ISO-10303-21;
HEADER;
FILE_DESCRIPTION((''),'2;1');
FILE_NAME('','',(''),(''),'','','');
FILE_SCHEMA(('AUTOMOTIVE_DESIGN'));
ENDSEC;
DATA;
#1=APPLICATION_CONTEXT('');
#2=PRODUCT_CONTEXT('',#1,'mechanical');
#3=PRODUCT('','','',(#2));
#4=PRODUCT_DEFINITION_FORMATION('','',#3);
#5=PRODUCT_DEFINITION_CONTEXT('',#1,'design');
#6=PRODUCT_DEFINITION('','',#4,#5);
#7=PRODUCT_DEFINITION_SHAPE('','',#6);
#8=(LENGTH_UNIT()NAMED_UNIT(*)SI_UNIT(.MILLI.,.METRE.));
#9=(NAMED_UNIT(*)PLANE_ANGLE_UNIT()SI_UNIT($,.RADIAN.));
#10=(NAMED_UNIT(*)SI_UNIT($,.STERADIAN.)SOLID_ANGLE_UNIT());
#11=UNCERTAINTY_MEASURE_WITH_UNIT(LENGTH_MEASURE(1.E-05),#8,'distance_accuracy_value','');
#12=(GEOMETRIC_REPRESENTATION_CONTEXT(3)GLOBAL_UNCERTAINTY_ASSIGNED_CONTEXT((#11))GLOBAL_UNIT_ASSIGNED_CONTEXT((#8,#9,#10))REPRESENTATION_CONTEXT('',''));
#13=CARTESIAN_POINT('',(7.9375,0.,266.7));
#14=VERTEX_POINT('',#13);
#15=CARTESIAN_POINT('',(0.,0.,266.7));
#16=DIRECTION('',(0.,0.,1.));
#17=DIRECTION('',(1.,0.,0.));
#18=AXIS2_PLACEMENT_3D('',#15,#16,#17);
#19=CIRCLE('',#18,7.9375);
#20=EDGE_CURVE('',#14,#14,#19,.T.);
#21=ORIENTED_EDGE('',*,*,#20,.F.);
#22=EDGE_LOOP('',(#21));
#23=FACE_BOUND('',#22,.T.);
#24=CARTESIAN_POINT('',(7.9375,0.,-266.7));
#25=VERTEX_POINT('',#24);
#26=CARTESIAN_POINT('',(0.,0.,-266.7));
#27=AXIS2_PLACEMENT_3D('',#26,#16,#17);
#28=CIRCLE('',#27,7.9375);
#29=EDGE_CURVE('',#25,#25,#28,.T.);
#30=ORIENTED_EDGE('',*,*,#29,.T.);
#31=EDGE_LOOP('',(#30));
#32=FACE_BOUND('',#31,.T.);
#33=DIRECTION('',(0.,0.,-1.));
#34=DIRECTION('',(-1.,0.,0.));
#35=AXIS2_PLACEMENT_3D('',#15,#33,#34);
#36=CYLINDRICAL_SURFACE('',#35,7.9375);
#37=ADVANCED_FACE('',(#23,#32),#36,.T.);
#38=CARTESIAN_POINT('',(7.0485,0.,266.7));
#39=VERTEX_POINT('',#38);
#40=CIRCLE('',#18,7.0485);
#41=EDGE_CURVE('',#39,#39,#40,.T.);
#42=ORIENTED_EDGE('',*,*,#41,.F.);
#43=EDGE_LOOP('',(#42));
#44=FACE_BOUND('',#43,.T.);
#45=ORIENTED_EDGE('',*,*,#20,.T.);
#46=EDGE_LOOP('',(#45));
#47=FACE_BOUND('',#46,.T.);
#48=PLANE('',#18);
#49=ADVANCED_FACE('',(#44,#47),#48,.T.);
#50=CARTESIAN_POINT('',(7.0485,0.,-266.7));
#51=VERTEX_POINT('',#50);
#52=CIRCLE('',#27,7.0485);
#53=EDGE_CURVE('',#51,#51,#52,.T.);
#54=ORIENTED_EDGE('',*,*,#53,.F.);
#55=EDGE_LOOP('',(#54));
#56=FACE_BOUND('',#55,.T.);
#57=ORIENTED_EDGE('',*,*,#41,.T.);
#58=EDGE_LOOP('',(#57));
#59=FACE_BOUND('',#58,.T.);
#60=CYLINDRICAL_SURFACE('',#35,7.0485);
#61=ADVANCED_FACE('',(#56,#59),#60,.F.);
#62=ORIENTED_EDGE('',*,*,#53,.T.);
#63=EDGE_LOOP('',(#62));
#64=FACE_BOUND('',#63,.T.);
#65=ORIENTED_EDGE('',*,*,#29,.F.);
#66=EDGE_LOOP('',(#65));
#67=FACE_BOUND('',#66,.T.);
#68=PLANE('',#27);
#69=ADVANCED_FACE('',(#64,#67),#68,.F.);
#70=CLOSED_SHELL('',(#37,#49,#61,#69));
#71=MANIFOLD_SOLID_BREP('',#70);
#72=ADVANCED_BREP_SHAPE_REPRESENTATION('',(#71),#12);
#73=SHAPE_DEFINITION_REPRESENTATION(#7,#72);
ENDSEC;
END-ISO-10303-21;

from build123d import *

# Parameters (mm, degrees)
SKETCH1_R           = 7.9375
SKETCH1_R_2         = 7.0485
BOSS_EXTRUDE1_DEPTH = 266.7


with BuildPart() as part:
    # Sketch1 → Boss-Extrude1 (new, symmetric)
    with BuildSketch(Plane.XY):
        Circle(SKETCH1_R)
        Circle(SKETCH1_R_2, mode=Mode.SUBTRACT)
    extrude(amount=BOSS_EXTRUDE1_DEPTH, both=True)


solid = part.part
